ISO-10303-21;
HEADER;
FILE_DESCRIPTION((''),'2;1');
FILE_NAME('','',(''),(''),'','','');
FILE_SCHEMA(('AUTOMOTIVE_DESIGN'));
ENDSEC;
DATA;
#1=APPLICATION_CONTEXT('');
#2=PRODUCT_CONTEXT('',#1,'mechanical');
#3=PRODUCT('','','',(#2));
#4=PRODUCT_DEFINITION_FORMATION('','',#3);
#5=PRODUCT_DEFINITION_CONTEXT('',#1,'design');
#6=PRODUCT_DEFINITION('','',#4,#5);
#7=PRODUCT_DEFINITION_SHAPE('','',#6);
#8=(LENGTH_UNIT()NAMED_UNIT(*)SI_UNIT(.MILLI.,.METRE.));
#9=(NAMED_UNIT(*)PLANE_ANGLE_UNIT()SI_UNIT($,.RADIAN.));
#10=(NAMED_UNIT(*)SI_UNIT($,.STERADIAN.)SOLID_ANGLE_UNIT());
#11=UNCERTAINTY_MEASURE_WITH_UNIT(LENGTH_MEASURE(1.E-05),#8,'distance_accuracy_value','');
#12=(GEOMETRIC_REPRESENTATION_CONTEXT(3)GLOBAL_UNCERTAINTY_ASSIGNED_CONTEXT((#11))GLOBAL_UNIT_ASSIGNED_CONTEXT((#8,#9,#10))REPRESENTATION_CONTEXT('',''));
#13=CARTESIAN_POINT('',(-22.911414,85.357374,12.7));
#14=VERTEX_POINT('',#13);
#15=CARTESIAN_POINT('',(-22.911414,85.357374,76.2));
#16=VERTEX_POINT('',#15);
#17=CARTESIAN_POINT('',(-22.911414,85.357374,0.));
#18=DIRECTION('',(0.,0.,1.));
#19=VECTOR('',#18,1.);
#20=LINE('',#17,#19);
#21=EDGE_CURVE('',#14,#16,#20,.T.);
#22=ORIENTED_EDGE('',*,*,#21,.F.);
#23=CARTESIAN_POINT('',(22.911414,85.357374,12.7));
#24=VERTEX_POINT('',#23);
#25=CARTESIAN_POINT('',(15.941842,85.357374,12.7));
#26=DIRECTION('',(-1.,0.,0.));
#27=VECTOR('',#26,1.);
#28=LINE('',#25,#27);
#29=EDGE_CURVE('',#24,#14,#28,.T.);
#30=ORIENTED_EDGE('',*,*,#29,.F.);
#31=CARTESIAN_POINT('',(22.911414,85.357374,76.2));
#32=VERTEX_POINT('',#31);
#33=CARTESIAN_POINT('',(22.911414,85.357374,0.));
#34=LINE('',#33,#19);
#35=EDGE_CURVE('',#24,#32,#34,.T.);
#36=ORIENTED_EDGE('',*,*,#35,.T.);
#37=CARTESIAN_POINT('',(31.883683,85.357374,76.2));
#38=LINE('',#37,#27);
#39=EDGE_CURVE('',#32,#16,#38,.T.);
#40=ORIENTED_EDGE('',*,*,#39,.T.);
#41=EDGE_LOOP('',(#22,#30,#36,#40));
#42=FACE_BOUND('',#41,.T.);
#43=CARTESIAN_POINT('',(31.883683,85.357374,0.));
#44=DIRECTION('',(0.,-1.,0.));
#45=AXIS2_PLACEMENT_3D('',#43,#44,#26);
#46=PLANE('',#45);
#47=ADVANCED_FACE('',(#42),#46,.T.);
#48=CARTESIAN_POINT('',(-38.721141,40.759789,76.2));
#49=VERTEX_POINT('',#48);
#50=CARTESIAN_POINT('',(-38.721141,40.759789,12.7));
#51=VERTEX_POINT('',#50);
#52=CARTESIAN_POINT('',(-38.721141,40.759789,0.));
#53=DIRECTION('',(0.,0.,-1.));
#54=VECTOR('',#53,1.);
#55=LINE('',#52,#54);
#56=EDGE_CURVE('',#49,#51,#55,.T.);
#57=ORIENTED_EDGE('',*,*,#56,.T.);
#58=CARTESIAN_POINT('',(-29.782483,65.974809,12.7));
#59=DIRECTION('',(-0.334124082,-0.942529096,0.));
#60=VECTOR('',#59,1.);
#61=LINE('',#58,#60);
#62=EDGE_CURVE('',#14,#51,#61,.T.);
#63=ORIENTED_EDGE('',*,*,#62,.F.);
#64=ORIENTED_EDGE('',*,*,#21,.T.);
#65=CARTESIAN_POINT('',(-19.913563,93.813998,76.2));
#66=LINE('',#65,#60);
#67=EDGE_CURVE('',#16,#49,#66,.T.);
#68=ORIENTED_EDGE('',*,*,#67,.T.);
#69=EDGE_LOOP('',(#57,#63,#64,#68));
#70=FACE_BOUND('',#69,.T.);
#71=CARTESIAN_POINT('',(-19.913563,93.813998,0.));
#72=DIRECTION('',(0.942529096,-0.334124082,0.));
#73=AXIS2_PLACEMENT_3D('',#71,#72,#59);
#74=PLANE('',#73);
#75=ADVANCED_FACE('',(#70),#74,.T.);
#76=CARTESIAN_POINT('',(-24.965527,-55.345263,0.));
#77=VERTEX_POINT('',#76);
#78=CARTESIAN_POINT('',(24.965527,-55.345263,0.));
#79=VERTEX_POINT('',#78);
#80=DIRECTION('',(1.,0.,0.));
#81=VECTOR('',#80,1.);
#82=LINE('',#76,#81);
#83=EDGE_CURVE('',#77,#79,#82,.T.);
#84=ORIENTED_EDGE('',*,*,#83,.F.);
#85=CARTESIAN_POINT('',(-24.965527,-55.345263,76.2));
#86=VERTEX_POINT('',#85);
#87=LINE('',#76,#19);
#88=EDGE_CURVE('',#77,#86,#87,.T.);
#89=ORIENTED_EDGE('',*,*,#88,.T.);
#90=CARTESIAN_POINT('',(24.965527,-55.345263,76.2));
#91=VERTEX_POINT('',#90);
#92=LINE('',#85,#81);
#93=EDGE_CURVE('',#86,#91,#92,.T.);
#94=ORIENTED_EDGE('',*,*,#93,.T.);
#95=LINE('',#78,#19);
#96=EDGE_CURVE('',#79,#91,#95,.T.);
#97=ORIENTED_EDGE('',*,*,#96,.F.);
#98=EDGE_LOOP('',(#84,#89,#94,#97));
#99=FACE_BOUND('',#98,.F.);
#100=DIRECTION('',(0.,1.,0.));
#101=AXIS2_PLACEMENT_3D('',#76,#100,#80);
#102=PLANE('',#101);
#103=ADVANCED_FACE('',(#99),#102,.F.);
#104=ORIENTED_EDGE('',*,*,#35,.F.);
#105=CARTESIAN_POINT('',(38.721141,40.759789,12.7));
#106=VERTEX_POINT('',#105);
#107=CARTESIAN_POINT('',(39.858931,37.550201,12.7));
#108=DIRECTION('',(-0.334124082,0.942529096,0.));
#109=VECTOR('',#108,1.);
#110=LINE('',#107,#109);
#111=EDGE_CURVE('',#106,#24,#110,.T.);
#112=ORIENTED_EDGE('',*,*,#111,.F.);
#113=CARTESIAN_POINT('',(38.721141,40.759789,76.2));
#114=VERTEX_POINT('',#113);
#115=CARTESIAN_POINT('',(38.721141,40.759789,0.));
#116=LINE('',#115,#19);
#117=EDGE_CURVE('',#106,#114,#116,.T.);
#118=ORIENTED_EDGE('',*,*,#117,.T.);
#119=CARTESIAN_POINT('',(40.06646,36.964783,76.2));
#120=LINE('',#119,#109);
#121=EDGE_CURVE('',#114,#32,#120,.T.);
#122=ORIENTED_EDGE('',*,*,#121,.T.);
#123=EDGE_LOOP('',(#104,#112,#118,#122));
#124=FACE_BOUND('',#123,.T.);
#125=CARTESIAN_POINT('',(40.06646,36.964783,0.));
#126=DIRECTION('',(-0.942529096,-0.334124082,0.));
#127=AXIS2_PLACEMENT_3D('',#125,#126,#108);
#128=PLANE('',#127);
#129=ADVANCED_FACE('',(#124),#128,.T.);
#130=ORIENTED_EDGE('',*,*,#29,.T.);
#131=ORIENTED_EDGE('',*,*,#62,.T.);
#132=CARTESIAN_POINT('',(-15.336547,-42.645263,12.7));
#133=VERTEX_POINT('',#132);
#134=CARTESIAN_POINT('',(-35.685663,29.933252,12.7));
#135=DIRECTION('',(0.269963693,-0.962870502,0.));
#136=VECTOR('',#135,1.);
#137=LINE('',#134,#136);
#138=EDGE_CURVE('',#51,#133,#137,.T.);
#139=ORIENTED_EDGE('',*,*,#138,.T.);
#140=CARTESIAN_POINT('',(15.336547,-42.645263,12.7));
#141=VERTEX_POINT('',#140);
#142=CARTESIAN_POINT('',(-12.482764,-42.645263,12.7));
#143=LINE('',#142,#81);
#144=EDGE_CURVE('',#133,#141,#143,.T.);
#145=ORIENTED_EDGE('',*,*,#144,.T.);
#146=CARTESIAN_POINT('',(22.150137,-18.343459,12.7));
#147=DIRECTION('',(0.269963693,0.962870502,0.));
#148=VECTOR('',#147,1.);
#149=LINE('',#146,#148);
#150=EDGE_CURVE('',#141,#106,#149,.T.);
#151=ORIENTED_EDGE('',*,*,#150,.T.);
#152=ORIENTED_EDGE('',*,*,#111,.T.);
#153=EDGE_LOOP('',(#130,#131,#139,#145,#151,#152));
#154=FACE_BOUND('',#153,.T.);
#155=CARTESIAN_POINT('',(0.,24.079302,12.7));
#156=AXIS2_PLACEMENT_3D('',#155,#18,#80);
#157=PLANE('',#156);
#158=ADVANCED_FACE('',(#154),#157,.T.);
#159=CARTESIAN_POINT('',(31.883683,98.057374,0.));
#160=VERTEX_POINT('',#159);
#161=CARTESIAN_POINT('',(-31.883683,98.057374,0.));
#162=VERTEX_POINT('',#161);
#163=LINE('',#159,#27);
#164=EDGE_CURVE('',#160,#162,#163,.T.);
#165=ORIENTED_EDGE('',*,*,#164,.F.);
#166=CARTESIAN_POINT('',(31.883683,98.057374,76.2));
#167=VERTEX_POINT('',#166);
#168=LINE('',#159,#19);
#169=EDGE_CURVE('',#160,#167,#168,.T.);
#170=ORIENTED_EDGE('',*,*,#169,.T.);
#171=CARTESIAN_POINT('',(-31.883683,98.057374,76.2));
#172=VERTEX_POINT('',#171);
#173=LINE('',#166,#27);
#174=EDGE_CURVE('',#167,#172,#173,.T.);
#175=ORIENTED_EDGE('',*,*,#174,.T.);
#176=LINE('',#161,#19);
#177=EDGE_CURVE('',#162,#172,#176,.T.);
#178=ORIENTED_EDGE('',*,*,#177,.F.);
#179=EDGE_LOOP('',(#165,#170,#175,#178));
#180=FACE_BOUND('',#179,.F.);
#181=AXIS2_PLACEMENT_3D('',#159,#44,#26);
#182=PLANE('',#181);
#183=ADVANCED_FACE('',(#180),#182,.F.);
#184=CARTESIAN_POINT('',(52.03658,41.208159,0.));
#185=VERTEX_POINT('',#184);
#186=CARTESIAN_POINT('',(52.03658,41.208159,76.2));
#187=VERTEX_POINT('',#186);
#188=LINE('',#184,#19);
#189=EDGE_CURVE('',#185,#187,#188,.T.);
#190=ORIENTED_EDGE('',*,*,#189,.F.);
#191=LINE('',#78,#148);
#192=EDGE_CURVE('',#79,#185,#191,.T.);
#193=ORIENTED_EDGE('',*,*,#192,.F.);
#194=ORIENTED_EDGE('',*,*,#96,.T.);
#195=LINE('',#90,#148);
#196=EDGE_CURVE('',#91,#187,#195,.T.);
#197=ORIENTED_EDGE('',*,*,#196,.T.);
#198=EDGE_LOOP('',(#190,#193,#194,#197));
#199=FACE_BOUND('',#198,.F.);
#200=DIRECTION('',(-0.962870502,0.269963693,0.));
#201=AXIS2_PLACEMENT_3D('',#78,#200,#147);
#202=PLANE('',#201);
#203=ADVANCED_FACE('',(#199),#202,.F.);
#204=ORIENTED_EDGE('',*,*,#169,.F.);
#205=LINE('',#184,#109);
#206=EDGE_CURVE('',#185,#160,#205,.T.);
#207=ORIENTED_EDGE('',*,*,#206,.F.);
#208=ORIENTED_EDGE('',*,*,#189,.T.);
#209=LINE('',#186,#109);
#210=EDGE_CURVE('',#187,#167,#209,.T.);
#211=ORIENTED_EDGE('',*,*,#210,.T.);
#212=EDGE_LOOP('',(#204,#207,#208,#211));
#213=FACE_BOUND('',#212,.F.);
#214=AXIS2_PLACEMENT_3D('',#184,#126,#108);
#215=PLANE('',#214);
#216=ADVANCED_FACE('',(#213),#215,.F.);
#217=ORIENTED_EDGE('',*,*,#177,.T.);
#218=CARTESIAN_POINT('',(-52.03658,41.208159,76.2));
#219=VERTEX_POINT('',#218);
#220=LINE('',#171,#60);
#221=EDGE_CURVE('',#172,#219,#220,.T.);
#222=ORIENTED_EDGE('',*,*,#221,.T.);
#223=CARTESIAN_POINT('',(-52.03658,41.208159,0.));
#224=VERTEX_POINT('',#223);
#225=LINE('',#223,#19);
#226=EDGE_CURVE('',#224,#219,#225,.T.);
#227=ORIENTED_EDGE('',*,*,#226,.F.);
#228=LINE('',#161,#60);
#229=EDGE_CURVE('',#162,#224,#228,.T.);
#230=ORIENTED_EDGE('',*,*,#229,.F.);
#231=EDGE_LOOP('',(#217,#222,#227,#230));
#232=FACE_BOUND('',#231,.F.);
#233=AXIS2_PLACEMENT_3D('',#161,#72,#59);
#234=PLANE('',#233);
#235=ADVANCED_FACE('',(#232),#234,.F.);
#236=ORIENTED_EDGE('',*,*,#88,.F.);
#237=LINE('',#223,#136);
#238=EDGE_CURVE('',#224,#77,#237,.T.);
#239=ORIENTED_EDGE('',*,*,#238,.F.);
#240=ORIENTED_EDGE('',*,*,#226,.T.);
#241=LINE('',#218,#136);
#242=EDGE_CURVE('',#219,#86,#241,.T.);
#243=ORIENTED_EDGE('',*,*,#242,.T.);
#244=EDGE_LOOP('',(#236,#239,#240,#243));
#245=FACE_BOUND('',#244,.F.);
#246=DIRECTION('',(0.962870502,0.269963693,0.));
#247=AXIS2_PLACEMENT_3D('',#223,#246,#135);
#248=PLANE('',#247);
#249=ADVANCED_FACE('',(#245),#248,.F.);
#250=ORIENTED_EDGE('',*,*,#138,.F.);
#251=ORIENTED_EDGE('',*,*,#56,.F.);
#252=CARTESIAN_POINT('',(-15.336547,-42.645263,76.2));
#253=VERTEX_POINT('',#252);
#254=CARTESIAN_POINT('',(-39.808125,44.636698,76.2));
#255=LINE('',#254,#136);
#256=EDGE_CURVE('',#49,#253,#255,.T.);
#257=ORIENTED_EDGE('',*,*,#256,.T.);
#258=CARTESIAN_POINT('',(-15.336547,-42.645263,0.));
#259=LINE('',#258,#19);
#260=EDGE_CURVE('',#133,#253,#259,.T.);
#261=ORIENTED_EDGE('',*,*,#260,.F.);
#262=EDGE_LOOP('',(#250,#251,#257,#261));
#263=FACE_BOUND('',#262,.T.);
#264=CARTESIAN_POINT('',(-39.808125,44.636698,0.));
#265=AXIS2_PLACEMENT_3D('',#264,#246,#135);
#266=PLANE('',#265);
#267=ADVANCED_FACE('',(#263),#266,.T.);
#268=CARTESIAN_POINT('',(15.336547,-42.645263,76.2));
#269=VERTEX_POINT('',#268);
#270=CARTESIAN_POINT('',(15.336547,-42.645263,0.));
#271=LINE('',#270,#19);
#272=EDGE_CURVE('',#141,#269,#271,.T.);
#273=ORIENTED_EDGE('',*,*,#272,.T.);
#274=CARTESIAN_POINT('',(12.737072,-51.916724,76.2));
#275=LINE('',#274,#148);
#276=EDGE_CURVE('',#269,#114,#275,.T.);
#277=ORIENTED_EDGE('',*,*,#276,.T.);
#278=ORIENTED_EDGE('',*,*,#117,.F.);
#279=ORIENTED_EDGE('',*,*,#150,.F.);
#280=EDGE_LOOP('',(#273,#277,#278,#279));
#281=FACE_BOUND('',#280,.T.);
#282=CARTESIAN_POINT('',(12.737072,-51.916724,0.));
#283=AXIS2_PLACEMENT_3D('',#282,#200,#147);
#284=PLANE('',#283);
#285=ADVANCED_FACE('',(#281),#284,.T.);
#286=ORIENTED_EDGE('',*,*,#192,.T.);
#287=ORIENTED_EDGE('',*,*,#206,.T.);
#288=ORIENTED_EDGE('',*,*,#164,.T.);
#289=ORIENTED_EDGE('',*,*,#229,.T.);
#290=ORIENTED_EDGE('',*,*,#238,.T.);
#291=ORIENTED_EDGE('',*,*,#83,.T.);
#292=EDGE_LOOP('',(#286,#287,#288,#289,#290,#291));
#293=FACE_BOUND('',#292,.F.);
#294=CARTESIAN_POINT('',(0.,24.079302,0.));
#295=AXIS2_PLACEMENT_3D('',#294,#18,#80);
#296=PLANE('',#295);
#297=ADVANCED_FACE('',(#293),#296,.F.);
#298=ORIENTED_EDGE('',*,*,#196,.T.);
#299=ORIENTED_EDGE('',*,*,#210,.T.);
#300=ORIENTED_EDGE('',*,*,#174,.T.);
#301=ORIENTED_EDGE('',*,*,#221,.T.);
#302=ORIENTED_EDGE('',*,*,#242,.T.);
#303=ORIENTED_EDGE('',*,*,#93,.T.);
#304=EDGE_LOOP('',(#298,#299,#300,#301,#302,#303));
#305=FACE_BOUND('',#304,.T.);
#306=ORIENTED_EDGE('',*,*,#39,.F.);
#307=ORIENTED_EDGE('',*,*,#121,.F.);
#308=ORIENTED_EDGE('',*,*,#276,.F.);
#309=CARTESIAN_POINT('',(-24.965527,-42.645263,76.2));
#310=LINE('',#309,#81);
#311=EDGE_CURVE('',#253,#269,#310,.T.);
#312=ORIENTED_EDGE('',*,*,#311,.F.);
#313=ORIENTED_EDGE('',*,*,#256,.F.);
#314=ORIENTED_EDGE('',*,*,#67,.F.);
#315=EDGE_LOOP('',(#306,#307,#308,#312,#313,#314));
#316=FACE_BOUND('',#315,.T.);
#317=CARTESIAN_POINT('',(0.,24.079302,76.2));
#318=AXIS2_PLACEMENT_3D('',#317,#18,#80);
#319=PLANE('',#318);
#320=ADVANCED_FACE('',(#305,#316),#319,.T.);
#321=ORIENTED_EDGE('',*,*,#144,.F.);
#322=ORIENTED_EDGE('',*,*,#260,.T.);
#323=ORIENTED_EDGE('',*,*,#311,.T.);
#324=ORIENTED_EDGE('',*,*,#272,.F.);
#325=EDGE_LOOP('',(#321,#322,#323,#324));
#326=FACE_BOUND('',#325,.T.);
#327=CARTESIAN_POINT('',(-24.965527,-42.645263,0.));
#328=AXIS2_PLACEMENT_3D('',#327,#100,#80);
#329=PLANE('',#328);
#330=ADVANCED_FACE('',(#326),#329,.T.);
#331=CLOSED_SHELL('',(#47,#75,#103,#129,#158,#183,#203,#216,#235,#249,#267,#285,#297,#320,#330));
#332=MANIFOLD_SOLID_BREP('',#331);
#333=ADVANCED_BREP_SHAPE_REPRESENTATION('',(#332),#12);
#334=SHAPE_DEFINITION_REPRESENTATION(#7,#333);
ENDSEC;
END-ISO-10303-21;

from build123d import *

# Parameters (mm, degrees)
F1_DEPTH = 76.2
F2_T     = -12.7


with BuildPart() as f1:
    # F0 (on Top) → F1 (new body)
    with BuildSketch(Plane.XY):
        Polygon((-52.03658, 41.208159), (-24.965527, -55.345263), (24.965527, -55.345263), (52.03658, 41.208159), (31.883683, 98.057374), (0, 98.057374), (-31.883683, 98.057374), align=None)
    extrude(amount=F1_DEPTH)

    # F2
    f2_openings = [f1.faces().sort_by_distance(p)[0] for p in [
        (0, 25.468394, 76.2),
    ]]
    offset(amount=F2_T, openings=f2_openings)


solid = f1.part
